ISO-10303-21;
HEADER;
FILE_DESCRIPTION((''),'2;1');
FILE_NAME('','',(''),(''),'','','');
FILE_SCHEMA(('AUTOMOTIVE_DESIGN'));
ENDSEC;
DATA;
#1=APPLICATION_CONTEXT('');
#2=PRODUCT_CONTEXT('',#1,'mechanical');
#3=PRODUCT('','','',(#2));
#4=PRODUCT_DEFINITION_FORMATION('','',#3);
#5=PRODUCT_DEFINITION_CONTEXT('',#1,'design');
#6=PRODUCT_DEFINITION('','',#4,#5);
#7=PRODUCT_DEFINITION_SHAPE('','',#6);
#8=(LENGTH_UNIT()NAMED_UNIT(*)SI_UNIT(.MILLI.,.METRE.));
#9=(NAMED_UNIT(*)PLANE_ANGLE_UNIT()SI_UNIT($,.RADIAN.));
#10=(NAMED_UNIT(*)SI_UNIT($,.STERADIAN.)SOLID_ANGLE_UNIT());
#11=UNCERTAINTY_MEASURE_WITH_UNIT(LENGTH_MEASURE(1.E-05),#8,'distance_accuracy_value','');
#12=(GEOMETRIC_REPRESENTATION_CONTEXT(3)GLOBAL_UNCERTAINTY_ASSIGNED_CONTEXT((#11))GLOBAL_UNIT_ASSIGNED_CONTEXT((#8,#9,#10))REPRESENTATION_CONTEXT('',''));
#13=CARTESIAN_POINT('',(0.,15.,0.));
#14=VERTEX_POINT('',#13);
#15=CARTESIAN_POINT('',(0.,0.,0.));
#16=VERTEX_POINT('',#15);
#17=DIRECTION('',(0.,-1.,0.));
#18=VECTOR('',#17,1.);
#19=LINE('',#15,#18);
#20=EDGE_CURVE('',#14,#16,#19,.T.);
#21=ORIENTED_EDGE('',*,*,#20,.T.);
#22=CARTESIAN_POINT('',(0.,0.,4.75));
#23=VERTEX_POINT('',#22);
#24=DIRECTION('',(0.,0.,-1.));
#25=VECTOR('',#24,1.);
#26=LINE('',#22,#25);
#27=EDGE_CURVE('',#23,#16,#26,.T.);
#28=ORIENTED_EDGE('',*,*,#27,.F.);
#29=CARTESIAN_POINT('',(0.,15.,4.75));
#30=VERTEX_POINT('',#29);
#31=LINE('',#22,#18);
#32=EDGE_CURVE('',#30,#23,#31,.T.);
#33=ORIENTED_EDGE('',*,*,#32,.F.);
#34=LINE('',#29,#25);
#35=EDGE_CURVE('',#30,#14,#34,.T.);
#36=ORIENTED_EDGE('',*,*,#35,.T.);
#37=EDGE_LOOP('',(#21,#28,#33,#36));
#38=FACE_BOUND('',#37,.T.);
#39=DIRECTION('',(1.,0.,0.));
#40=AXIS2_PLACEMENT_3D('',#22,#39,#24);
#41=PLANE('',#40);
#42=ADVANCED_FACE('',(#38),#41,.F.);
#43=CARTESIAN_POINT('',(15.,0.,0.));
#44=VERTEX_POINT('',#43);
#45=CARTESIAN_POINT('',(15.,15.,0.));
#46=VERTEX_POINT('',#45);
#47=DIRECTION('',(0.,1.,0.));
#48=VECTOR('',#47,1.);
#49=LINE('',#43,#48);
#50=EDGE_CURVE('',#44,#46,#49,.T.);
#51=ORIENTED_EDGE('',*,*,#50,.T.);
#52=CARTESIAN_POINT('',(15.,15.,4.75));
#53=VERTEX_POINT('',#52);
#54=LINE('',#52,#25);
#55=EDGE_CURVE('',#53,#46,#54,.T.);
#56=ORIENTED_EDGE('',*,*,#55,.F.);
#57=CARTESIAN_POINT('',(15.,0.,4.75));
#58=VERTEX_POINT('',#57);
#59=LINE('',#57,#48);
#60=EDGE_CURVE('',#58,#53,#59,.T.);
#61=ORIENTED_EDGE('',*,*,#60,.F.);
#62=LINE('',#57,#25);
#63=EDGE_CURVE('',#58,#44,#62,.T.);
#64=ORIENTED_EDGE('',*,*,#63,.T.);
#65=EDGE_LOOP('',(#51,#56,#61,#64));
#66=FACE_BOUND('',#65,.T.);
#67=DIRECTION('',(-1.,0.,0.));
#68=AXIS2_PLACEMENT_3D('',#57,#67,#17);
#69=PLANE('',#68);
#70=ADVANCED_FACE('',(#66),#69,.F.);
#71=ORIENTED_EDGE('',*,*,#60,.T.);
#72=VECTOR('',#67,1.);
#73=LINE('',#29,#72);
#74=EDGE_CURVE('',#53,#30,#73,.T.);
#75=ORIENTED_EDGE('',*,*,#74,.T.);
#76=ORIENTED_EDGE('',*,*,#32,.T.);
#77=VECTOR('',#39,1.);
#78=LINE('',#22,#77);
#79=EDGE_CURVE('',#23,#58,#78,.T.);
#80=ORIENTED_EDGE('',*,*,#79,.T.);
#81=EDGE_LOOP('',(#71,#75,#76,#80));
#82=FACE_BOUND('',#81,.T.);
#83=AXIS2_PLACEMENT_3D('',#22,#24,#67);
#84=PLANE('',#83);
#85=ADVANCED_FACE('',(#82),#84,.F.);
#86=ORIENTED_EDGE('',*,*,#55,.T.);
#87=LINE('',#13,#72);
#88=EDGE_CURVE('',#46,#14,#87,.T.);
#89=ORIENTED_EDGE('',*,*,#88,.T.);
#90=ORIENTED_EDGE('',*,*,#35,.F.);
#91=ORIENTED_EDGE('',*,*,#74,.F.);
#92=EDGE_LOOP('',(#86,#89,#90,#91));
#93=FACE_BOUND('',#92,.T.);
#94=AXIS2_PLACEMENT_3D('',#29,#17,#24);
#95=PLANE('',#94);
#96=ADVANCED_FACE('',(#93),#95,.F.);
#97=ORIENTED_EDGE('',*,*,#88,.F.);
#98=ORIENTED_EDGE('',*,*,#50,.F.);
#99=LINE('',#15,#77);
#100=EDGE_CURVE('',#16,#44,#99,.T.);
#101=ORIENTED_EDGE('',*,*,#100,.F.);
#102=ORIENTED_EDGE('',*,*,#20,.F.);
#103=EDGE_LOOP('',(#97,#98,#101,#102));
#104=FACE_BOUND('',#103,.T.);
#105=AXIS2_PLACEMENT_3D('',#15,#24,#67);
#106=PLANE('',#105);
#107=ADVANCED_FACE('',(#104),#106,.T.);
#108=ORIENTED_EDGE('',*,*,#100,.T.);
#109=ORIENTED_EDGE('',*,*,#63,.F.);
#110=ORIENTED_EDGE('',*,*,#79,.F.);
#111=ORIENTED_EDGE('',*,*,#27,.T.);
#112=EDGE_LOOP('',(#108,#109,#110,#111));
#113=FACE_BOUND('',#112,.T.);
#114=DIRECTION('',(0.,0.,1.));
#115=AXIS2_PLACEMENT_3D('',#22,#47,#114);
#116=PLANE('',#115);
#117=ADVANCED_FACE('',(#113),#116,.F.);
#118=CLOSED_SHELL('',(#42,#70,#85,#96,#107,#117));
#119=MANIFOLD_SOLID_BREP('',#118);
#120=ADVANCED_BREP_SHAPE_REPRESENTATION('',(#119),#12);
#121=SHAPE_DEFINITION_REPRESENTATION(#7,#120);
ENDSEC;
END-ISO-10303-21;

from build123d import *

# Parameters (mm, degrees)
SKETCH1_W           = 15
SKETCH1_H           = 15
BOSS_EXTRUDE1_DEPTH = 4.75


with BuildPart() as part:
    # Sketch1 → Boss-Extrude1 (new body)
    with BuildSketch(Plane.XY):
        with Locations((7.5, 7.5)):
            Rectangle(SKETCH1_W, SKETCH1_H)
    extrude(amount=BOSS_EXTRUDE1_DEPTH)


solid = part.part
